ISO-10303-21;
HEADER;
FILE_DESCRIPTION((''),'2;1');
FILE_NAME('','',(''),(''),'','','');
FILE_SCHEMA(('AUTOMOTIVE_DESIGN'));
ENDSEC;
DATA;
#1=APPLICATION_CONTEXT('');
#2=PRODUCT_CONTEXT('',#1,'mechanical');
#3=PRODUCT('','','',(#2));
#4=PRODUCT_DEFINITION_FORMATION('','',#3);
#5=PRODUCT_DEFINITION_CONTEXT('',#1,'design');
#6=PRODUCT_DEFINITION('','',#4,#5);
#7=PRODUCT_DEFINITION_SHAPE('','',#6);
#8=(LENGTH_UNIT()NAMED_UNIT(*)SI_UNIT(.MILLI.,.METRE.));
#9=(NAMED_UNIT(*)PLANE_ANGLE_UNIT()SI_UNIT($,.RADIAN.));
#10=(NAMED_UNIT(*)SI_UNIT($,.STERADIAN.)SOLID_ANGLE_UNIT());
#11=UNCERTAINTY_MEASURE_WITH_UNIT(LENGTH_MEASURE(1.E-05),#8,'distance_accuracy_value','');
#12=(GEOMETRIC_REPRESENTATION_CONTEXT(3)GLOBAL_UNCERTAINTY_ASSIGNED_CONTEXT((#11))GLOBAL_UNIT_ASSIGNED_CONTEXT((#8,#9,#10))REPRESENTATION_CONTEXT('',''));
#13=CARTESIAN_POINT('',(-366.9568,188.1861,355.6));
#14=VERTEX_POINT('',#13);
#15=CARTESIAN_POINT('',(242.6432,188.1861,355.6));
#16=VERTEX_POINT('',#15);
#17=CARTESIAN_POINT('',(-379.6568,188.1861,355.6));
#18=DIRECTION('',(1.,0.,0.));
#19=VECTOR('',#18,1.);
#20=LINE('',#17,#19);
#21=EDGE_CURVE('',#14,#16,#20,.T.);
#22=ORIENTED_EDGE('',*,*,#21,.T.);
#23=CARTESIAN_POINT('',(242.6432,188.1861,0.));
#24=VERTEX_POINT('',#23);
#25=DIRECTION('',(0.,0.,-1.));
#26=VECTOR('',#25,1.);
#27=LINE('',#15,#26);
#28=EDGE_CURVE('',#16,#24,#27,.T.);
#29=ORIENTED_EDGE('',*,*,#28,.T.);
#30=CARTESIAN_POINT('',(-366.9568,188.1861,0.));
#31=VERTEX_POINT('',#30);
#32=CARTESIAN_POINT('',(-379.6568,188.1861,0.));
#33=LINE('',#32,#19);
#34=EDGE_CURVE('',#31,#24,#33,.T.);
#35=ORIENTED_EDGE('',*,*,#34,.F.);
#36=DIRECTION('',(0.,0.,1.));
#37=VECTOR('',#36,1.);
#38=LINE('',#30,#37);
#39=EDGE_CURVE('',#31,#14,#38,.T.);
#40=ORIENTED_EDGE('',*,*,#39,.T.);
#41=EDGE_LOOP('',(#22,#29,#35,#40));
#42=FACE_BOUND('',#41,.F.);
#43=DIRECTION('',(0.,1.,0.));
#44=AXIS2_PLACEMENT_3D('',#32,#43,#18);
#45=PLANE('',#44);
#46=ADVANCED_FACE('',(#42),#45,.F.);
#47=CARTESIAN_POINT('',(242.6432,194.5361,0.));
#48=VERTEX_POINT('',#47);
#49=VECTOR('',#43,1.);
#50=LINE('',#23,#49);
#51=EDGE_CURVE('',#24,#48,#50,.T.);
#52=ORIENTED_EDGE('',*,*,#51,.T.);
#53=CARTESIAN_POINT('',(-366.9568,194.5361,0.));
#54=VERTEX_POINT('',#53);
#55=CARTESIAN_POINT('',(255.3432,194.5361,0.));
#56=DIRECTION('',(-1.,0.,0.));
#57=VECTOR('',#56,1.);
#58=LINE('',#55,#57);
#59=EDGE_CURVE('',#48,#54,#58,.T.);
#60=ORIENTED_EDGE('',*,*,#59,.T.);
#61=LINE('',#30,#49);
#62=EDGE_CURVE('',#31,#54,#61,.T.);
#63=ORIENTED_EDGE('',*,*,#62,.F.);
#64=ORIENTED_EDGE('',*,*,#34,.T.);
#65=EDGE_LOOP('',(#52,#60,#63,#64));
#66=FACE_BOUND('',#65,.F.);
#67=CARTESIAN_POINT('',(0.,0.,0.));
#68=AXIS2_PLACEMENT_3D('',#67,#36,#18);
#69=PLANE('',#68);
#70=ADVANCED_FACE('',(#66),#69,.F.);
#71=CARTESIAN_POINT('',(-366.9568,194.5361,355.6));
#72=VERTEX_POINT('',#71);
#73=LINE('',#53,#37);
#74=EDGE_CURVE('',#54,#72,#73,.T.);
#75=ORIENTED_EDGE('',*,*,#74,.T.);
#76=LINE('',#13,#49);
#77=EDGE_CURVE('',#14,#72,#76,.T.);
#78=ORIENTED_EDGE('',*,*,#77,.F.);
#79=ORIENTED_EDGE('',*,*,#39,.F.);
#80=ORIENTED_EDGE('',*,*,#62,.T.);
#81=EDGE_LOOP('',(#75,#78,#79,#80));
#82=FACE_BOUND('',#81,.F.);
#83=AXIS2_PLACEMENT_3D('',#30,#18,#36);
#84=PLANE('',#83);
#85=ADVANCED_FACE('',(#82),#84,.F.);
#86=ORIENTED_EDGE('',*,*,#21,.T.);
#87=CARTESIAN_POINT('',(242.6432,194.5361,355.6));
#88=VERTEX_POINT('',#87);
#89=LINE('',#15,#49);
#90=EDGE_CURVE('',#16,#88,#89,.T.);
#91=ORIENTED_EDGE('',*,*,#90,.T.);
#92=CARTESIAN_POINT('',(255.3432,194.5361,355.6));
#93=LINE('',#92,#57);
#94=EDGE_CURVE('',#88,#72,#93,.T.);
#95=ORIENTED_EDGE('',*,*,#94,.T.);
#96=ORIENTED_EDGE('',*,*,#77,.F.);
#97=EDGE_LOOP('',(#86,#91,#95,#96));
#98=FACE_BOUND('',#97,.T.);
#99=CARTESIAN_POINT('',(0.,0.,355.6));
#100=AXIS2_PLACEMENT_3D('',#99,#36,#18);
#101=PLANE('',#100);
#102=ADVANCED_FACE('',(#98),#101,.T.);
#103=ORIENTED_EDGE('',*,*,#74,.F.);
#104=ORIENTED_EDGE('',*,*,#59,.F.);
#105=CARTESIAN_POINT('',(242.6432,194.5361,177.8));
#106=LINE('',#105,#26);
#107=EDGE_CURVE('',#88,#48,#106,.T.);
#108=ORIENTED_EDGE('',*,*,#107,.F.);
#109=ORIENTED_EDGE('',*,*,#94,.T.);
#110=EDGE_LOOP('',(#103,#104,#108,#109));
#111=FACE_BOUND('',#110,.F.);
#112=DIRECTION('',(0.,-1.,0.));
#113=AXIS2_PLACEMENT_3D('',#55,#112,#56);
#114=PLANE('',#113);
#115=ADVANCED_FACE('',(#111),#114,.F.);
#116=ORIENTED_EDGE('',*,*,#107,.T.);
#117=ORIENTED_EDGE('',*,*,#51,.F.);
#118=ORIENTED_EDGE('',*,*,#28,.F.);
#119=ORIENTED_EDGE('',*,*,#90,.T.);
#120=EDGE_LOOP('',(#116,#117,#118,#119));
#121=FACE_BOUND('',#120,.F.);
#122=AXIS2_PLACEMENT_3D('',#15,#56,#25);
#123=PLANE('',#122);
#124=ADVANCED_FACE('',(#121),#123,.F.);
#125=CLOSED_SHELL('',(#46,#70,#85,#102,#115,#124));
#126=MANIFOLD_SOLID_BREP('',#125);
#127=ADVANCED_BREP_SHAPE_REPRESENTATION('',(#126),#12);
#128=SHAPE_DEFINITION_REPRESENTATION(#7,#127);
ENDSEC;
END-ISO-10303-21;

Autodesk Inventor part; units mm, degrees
ref_plane "YZ Plane" through (0, 0, 0) normal (1, 0, 0) x (0, 1, 0)
ref_plane "XZ Plane" through (0, 0, 0) normal (0, 1, 0) x (-1, 0, 0)
ref_plane "XY Plane" through (0, 0, 0) normal (0, 0, 1) x (1, 0, 0)
sketch "Sketch1" plane through (0, 0, 0) normal (0, 0, 1) x (1, 0, 0)
  line L0 (-379.6568, 188.1861) -> (255.3432, 188.1861)
  line L1 (255.3432, 188.1861) -> (255.3432, 194.5361)
  line L2 (255.3432, 194.5361) -> (-379.6568, 194.5361)
  line L3 (-379.6568, 194.5361) -> (-379.6568, 188.1861)
  point P0 (0, 0)
  dimension "d0" = 635
  dimension "d1" = 6.35
extrude "Extrusion1" add sketch "Sketch1" along normal blind 355.6
sketch "Sketch2" plane through (-379.6568, 188.1861, 0) normal (0, -1, 0) x (1, 0, 0)
  line L0 (635, 355.6) -> (0, 355.6) projected
  line L1 (0, 0) -> (0, 355.6) projected
  line L2 (0, 0) -> (635, 0) projected
  line L3 (635, 0) -> (635, 355.6) projected
  line L4 (12.7, 355.6) -> (622.3, 355.6)
  line L5 (622.3, 355.6) -> (622.3, 0)
  line L6 (622.3, 0) -> (12.7, 0)
  line L7 (12.7, 0) -> (12.7, 355.6)
  point P0 (379.6568, 0)
  dimension "d4" = 609.6
  dimension "d5" = 355.6
  dimension "d6" = 12.7
extrude "Extrusion2" cut sketch "Sketch2" against normal blind 355.6 contours L3 L2 L5 L0 | L7 L2 L1 L0
properties part number "24in-by-14in_electronics_board"
